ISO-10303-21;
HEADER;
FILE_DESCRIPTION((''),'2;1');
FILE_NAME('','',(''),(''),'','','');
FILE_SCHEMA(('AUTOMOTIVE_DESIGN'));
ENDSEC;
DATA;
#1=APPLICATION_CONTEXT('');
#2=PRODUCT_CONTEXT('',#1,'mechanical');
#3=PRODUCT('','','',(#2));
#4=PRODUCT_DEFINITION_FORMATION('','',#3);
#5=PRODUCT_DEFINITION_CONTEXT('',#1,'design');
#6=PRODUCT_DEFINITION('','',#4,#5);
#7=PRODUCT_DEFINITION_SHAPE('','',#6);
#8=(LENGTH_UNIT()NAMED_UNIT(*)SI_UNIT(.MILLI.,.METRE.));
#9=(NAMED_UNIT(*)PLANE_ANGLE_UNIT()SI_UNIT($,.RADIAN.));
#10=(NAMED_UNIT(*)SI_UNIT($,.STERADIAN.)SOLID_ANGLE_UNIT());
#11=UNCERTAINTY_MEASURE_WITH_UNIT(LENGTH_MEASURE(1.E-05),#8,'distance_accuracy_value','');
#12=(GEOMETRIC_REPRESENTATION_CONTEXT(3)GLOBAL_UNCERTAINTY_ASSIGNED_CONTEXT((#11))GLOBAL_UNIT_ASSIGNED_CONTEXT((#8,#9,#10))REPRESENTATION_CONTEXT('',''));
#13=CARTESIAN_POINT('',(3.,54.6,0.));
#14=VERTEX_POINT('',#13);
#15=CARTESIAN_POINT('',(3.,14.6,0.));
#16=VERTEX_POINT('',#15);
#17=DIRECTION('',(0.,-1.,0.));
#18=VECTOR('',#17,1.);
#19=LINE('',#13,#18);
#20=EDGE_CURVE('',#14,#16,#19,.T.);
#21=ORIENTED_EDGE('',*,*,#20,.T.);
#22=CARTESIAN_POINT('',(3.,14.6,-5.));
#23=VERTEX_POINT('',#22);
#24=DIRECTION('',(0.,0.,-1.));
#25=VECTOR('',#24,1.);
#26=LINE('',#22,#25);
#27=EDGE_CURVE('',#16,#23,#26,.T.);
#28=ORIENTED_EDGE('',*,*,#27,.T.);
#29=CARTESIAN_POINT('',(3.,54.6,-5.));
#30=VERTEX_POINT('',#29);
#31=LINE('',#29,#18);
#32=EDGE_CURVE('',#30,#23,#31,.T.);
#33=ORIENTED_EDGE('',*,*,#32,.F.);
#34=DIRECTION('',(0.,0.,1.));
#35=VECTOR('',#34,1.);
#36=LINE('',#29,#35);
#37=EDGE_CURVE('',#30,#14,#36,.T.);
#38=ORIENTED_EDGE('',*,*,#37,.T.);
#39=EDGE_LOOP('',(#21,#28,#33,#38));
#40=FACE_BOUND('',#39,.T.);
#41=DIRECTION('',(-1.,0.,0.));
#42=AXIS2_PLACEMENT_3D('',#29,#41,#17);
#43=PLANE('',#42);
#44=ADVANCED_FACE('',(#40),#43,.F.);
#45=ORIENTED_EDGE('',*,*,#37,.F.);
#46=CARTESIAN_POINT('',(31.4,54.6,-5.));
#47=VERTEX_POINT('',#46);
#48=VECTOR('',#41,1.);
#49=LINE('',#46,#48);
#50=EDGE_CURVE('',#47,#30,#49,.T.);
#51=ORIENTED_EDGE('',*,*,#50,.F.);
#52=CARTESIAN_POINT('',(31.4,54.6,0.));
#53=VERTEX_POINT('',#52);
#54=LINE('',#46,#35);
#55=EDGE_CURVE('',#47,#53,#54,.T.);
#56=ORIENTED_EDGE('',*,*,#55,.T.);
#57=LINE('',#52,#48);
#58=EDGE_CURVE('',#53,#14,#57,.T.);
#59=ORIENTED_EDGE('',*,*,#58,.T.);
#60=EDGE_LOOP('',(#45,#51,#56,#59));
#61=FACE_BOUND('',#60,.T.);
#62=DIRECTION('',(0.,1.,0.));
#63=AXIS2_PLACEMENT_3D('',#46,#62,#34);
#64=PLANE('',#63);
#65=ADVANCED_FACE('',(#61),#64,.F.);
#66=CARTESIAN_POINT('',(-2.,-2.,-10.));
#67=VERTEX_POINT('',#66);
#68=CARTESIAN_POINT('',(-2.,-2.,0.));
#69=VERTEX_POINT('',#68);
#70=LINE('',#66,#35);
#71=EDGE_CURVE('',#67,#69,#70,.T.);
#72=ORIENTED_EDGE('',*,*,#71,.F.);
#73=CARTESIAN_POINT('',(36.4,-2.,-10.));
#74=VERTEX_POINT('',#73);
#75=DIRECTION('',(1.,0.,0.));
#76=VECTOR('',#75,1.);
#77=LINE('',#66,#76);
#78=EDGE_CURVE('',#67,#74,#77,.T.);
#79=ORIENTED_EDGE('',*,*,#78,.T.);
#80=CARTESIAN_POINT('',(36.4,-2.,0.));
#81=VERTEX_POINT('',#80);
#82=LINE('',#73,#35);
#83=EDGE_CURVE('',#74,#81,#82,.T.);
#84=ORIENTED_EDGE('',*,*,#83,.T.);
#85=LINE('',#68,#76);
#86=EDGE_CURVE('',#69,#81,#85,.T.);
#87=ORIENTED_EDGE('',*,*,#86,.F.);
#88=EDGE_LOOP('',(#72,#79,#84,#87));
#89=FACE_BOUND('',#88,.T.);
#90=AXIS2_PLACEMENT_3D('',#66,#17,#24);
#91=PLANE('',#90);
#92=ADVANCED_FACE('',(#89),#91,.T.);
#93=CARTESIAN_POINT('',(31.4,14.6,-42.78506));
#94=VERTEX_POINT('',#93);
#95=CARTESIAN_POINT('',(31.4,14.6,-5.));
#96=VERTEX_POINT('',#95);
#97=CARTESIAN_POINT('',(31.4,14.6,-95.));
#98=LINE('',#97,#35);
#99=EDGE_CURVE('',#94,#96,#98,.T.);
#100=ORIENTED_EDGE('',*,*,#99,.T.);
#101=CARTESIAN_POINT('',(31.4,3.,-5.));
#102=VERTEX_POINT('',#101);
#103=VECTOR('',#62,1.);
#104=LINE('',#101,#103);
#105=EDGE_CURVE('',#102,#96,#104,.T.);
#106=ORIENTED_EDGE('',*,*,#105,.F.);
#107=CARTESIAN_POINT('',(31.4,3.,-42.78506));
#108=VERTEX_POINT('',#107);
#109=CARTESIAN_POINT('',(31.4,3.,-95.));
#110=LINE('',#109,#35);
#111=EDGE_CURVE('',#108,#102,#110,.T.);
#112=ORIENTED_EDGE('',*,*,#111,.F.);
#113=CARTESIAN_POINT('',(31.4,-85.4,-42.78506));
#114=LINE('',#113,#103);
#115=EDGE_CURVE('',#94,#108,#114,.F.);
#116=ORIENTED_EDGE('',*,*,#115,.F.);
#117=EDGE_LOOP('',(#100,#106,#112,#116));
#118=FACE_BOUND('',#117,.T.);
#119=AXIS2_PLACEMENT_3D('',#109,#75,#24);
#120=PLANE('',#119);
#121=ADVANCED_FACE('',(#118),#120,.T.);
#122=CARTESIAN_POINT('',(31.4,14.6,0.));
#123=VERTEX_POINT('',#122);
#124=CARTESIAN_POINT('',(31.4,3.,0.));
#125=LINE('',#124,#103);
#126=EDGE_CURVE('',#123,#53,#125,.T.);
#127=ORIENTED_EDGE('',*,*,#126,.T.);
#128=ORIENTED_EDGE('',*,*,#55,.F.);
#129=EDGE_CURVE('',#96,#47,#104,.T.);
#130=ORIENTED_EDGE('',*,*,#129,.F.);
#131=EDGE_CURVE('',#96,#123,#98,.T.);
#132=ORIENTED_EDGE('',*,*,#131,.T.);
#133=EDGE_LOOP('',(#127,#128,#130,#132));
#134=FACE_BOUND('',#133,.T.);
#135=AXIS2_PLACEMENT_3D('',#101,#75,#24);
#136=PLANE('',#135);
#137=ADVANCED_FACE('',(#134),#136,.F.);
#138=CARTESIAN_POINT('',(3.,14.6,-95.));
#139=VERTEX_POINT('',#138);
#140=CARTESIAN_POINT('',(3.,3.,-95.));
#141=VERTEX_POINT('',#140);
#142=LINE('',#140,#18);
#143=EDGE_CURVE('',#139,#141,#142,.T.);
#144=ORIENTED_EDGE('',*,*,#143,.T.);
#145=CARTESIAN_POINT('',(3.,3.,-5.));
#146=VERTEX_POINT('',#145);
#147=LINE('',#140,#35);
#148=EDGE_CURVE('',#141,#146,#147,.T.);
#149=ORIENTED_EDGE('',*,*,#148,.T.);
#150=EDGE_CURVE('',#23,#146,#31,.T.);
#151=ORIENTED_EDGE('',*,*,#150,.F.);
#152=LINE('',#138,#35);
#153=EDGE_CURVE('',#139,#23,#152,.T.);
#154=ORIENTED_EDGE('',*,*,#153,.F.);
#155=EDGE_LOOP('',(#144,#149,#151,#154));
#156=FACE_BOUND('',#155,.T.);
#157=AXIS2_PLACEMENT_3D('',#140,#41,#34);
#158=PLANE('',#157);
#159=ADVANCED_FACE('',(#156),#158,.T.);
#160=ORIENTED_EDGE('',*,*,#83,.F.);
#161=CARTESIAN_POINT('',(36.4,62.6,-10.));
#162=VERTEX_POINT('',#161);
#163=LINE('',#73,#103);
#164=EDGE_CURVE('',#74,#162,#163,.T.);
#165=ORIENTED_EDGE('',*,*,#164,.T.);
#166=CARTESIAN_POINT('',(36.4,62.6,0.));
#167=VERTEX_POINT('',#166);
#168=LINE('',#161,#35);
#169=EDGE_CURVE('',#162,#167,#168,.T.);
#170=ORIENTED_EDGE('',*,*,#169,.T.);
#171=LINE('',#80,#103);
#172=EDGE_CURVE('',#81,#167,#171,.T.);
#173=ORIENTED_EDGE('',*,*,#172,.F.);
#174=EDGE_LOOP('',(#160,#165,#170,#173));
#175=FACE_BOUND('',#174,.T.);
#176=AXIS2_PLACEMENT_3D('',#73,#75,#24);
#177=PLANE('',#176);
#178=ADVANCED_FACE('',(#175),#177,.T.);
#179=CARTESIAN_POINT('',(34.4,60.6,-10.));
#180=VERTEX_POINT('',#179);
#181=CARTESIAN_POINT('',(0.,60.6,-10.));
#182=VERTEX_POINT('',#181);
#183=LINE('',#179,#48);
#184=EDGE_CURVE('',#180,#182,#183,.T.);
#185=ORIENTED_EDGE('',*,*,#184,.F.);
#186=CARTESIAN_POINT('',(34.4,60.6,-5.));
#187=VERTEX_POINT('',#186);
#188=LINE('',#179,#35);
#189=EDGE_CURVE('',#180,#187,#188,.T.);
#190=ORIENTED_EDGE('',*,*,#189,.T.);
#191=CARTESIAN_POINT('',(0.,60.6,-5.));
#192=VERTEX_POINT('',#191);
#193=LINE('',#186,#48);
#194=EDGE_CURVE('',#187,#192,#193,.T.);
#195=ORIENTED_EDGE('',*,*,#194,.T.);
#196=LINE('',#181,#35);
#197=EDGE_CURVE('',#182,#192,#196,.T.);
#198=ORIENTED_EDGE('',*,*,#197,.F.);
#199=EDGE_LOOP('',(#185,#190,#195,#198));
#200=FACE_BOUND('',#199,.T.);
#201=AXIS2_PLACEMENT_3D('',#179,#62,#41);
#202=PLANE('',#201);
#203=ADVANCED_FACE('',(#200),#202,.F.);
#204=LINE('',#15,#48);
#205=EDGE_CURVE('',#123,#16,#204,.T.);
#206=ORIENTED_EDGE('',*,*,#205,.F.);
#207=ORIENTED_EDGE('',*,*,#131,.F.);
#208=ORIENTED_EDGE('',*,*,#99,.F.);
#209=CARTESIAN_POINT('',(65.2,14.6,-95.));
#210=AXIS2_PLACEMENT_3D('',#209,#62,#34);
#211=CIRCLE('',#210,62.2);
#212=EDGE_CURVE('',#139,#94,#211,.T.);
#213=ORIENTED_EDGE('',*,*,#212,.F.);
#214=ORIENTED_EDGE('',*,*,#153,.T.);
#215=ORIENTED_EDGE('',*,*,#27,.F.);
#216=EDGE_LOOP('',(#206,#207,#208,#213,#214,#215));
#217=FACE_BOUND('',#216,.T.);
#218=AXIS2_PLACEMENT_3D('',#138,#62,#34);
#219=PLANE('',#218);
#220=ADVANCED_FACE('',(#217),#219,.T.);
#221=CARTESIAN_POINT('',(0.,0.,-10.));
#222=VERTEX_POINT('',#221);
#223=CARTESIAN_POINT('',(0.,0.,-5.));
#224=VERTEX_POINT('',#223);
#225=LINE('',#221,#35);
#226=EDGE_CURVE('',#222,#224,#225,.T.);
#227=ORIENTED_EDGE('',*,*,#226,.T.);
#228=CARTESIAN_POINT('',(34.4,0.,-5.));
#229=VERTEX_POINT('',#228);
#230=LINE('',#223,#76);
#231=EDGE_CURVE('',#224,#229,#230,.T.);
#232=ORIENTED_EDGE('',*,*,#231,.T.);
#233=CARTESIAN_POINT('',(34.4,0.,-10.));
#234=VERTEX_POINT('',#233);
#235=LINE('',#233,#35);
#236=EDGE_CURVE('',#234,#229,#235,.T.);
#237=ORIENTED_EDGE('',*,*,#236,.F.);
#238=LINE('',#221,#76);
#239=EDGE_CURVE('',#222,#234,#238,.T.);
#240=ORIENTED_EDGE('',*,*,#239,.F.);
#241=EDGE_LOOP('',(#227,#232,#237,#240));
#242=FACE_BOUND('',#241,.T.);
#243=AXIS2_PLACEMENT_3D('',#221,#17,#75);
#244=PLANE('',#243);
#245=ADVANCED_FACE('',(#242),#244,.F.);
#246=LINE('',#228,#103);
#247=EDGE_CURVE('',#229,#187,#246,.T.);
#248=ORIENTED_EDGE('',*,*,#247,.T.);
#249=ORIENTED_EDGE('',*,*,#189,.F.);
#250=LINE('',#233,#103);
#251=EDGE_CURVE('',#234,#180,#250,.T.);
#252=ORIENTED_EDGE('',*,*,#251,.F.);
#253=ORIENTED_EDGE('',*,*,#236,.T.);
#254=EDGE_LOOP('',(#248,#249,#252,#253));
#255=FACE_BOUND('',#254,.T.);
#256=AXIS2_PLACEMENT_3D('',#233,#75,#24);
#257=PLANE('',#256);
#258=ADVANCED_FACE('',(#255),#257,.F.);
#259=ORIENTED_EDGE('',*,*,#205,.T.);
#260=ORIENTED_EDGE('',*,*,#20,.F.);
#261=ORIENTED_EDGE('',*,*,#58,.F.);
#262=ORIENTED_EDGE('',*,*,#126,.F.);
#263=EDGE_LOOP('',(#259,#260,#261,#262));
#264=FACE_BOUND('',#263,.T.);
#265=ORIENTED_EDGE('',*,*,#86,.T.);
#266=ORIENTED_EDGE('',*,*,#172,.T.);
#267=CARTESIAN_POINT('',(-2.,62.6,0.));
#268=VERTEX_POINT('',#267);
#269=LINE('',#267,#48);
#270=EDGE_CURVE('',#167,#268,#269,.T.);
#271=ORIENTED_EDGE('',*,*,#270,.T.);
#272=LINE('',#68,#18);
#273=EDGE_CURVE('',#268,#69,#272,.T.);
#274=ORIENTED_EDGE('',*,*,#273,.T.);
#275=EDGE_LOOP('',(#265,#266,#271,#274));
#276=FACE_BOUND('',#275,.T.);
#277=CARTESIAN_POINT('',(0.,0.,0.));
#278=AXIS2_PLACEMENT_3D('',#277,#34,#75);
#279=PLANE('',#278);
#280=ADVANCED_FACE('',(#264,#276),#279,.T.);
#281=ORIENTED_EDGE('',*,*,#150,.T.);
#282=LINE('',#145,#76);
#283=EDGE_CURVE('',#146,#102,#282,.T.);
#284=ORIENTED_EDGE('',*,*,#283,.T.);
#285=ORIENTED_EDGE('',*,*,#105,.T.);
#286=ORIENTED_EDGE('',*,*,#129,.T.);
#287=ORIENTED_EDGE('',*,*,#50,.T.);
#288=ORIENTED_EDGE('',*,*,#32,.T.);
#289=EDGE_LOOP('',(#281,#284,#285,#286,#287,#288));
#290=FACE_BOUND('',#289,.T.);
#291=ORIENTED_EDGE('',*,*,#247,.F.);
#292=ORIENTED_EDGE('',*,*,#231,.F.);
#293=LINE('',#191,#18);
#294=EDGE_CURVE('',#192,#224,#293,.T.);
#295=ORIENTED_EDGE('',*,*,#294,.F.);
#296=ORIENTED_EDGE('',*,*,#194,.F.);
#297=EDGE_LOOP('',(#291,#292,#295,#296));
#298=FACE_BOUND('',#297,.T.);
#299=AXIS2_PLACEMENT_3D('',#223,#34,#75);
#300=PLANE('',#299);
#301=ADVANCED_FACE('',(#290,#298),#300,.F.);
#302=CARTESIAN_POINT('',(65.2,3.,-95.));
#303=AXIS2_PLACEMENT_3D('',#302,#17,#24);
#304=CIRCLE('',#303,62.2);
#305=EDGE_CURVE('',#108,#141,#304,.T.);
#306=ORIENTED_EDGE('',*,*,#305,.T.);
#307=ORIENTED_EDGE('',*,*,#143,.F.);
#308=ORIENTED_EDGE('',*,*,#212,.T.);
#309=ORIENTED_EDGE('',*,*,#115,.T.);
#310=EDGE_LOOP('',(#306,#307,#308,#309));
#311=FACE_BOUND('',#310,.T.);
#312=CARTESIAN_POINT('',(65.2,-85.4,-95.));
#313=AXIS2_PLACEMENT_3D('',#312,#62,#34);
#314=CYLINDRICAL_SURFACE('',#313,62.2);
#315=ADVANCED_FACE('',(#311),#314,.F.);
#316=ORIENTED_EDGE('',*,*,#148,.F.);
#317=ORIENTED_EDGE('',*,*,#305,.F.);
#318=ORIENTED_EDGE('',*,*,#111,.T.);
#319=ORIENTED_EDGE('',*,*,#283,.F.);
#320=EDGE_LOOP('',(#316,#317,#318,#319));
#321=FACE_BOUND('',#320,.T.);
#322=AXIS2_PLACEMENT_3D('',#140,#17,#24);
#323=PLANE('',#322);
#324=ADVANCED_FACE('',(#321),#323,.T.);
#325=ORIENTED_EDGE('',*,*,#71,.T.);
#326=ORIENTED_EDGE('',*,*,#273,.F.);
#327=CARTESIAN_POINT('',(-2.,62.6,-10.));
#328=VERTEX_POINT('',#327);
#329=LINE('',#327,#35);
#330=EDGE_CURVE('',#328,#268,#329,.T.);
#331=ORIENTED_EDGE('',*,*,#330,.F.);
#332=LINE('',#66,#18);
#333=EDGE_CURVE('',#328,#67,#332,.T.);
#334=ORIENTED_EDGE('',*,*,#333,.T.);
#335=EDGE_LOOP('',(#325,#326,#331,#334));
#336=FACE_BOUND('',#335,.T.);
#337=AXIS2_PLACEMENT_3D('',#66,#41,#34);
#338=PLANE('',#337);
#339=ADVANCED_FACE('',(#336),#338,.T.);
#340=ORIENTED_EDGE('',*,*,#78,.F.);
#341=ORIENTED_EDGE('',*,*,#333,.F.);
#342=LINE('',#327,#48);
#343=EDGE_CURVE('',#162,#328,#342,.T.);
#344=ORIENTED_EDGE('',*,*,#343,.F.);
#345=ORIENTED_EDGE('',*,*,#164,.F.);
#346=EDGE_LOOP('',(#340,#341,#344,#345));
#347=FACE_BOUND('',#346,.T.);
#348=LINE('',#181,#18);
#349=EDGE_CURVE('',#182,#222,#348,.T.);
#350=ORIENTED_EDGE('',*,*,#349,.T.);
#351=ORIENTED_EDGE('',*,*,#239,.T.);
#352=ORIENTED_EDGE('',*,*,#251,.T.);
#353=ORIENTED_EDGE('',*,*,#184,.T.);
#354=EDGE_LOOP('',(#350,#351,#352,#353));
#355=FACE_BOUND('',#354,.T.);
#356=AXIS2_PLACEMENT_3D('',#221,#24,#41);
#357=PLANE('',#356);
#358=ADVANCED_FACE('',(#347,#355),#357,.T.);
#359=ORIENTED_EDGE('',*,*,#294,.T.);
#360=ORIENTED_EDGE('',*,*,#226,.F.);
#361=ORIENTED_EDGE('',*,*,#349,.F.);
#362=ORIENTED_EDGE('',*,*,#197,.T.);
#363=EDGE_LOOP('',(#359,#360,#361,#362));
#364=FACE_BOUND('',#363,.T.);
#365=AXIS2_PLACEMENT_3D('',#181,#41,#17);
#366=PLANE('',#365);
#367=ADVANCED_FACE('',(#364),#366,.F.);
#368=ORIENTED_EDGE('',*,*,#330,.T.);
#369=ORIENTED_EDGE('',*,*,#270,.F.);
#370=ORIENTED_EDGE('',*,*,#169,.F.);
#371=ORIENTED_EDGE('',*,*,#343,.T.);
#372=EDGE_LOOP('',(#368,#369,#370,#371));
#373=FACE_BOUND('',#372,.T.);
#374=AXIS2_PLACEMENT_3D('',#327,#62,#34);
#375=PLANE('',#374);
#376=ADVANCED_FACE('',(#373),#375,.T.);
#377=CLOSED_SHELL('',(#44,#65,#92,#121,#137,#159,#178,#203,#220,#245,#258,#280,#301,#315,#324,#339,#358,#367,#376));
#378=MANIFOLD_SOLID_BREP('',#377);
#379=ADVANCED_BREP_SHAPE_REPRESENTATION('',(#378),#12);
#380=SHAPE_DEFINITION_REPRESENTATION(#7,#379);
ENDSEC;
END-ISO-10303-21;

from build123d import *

# Parameters (mm, degrees)
SKETCH_8_W          = 34.4
SKETCH_8_H          = 60.6
SKETCH_8_W_2        = 28.4
SKETCH_8_H_2        = 51.6
EXTRUDE_4_DEPTH     = 5
SKETCH_9_W          = 28.4
SKETCH_9_H          = 11.6
EXTRUDE_5_DEPTH     = 95
SKETCH_10_R         = 62.2
CUT_EXTRUDE_3_DEPTH = 100
SKETCH_13_W         = 38.4
SKETCH_13_H         = 64.6
SKETCH_13_W_2       = 34.4
SKETCH_13_H_2       = 60.6
EXTRUDE_7_DEPTH     = 10


with BuildPart() as part:
    # 스케치8 → 보스-돌출4 (new body)
    with BuildSketch(Plane.XY):
        with Locations((17.2, 30.3)):
            Rectangle(SKETCH_8_W, SKETCH_8_H)
        with Locations((17.2, 28.8)):
            Rectangle(SKETCH_8_W_2, SKETCH_8_H_2, mode=Mode.SUBTRACT)
    extrude(amount=-EXTRUDE_4_DEPTH)

    # 스케치9 → 보스-돌출5 (add)
    with BuildSketch(Plane.XY):
        with Locations((17.2, 8.8)):
            Rectangle(SKETCH_9_W, SKETCH_9_H)
    extrude(amount=-EXTRUDE_5_DEPTH)

    # 스케치10 → 컷-돌출3 (cut)
    with BuildSketch(Plane(origin=(0, 14.6, 0), x_dir=(1, 0, 0), z_dir=(0, 1, 0))):
        with Locations((65.2, 95)):
            Circle(SKETCH_10_R)
    extrude(amount=-CUT_EXTRUDE_3_DEPTH, mode=Mode.SUBTRACT)

    # 스케치13 → 보스-돌출7 (add)
    with BuildSketch(Plane.XY):
        with Locations((17.2, 30.3)):
            Rectangle(SKETCH_13_W, SKETCH_13_H)
        with Locations((17.2, 30.3)):
            Rectangle(SKETCH_13_W_2, SKETCH_13_H_2, mode=Mode.SUBTRACT)
    extrude(amount=-EXTRUDE_7_DEPTH)


solid = part.part
